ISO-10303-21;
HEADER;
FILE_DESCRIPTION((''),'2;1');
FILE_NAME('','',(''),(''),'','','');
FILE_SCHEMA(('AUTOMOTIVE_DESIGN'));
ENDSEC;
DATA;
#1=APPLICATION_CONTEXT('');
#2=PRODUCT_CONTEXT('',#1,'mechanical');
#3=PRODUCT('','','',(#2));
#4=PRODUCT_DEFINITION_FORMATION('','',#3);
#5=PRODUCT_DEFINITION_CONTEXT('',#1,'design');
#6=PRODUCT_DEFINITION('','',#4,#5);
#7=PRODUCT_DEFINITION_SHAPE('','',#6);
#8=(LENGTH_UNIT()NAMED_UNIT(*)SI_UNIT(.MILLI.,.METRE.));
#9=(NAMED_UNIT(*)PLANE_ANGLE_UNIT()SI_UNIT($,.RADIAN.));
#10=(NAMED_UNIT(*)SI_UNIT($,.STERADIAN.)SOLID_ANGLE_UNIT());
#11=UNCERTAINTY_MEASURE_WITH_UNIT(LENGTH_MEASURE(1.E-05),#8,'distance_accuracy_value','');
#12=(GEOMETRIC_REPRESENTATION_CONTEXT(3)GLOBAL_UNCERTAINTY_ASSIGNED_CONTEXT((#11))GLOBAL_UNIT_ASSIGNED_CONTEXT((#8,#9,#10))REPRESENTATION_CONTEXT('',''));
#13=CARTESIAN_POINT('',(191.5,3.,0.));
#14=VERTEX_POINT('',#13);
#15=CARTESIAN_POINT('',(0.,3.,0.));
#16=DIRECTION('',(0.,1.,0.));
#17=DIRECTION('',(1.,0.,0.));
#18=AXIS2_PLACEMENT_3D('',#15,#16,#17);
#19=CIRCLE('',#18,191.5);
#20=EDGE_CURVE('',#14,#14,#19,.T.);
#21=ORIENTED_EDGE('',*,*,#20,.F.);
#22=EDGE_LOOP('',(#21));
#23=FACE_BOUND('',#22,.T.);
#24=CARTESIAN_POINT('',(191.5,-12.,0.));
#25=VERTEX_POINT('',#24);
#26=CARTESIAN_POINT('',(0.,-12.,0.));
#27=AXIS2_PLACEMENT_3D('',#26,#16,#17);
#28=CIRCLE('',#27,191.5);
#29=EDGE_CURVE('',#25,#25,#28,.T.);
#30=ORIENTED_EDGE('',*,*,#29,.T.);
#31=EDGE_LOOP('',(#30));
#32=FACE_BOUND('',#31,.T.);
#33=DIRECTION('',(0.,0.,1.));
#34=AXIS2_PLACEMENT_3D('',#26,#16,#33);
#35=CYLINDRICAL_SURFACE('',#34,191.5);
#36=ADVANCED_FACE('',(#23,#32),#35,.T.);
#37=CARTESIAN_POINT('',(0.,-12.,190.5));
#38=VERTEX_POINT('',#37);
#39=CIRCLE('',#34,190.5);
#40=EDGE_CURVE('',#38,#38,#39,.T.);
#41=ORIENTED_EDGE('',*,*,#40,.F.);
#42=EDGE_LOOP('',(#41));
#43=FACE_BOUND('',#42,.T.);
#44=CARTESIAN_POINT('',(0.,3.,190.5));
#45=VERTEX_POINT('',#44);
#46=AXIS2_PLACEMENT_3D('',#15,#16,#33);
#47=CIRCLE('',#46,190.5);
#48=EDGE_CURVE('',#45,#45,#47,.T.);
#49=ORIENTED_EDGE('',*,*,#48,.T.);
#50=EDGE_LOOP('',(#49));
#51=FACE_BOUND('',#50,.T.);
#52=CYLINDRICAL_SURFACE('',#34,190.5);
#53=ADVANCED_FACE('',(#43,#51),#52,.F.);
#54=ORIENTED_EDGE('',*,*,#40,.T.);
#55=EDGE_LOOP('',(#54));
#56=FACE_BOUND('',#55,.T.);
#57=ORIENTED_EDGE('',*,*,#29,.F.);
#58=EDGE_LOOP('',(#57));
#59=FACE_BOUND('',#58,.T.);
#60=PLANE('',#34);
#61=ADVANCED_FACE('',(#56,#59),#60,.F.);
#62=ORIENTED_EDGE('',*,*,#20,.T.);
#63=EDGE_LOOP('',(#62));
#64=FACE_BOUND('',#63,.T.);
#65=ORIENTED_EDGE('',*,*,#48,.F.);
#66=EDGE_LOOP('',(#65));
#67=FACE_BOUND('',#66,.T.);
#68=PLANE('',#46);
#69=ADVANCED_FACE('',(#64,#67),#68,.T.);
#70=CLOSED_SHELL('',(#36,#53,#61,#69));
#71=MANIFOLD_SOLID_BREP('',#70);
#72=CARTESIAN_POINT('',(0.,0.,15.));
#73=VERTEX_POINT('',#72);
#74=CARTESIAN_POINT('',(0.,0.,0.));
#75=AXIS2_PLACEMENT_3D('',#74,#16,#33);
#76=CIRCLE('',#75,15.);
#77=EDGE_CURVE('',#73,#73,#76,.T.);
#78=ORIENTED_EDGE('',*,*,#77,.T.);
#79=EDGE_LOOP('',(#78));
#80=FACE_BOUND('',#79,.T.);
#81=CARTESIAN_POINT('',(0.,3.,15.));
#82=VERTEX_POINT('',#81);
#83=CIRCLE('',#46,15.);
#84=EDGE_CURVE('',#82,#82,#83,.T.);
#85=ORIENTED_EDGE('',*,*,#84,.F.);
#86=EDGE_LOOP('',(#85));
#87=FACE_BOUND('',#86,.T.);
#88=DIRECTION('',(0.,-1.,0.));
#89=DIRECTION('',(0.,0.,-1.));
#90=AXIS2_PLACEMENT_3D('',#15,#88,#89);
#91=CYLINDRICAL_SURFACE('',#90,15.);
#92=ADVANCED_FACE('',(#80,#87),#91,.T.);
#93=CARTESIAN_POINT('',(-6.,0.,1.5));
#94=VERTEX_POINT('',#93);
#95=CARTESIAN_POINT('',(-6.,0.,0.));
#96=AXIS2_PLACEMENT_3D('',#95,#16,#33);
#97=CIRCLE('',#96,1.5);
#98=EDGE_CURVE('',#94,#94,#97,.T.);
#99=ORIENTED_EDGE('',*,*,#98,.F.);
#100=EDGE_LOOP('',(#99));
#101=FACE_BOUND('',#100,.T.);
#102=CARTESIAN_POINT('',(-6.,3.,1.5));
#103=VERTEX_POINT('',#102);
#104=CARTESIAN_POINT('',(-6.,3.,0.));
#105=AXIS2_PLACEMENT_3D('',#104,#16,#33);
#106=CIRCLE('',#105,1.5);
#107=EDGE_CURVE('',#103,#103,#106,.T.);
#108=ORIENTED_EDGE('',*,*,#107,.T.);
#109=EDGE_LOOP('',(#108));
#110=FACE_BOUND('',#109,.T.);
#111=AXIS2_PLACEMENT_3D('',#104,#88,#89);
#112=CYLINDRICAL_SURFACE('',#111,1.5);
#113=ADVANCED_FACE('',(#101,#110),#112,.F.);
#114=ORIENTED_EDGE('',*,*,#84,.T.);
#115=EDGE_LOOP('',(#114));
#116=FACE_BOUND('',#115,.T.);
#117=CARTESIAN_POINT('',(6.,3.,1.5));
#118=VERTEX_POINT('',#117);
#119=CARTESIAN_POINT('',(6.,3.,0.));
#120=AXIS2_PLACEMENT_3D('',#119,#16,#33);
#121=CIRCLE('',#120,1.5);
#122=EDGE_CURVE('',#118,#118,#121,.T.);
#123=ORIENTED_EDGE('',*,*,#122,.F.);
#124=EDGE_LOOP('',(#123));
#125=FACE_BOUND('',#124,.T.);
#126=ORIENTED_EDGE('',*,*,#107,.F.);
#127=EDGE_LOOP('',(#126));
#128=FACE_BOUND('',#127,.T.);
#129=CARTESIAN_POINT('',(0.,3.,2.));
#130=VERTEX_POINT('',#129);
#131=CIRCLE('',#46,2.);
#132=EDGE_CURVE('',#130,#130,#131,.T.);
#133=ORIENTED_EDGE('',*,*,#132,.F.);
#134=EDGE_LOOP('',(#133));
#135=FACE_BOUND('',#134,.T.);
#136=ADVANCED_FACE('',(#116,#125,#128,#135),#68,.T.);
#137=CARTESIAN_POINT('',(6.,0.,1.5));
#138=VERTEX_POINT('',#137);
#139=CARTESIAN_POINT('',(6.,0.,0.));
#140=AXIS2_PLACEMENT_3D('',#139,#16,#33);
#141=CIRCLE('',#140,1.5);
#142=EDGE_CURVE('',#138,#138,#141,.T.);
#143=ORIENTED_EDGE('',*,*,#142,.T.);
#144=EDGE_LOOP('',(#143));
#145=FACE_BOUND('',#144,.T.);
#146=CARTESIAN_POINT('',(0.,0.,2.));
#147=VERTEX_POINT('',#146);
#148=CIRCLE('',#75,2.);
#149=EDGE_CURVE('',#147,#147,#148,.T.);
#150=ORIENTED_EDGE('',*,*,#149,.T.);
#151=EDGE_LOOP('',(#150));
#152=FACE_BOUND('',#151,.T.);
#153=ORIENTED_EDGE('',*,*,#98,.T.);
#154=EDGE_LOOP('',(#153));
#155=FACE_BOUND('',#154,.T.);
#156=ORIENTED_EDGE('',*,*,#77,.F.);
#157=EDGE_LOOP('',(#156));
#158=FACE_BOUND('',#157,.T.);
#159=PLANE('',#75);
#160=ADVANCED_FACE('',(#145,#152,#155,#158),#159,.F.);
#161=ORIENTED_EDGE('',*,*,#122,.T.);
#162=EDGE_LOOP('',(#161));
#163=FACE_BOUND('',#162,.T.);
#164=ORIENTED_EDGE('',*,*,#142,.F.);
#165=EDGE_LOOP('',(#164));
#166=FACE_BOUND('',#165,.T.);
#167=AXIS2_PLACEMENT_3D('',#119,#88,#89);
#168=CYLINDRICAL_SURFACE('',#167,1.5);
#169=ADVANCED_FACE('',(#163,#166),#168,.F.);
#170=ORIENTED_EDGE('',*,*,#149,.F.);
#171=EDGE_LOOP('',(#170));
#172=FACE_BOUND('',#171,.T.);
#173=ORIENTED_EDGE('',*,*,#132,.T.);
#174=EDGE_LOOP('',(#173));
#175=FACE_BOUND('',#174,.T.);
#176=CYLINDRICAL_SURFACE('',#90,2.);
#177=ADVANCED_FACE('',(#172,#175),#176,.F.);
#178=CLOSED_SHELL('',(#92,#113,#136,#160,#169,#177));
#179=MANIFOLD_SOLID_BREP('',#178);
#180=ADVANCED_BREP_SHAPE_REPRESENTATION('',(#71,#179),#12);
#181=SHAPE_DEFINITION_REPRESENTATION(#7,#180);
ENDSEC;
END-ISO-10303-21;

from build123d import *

# Parameters (mm, degrees)
SKETCH1_R           = 15
SKETCH1_R_2         = 1.5
SKETCH1_R_3         = 2
BOSS_EXTRUDE1_DEPTH = 3
SKETCH3_R           = 191.5
SKETCH3_R_2         = 190.5
EXTRUDE_THIN3_DEPTH = 15


with BuildPart() as part:
    # Sketch1 → Boss-Extrude1 (new body)
    with BuildSketch(Plane(origin=(0, 0, 0), x_dir=(1, 0, 0), z_dir=(0, 1, 0))):
        with Locations(Location((0, 0, 0), (0, 0, 270))):
            Circle(SKETCH1_R)
        with Locations(Location((-6, 0, 0), (0, 0, 270))):
            Circle(SKETCH1_R_2, mode=Mode.SUBTRACT)
        with Locations(Location((6, 0, 0), (0, 0, 270))):
            Circle(SKETCH1_R_2, mode=Mode.SUBTRACT)
        with Locations(Location((0, 0, 0), (0, 0, 270))):
            Circle(SKETCH1_R_3, mode=Mode.SUBTRACT)
    extrude(amount=BOSS_EXTRUDE1_DEPTH)


with BuildPart() as body_2:
    # Sketch3 → Extrude-Thin3 (new body)
    with BuildSketch(Plane(origin=(0, 3, 0), x_dir=(1, 0, 0), z_dir=(0, 1, 0))):
        Circle(SKETCH3_R)
        Circle(SKETCH3_R_2, mode=Mode.SUBTRACT)
    extrude(amount=-EXTRUDE_THIN3_DEPTH)


solid = Compound([part.part, body_2.part])
